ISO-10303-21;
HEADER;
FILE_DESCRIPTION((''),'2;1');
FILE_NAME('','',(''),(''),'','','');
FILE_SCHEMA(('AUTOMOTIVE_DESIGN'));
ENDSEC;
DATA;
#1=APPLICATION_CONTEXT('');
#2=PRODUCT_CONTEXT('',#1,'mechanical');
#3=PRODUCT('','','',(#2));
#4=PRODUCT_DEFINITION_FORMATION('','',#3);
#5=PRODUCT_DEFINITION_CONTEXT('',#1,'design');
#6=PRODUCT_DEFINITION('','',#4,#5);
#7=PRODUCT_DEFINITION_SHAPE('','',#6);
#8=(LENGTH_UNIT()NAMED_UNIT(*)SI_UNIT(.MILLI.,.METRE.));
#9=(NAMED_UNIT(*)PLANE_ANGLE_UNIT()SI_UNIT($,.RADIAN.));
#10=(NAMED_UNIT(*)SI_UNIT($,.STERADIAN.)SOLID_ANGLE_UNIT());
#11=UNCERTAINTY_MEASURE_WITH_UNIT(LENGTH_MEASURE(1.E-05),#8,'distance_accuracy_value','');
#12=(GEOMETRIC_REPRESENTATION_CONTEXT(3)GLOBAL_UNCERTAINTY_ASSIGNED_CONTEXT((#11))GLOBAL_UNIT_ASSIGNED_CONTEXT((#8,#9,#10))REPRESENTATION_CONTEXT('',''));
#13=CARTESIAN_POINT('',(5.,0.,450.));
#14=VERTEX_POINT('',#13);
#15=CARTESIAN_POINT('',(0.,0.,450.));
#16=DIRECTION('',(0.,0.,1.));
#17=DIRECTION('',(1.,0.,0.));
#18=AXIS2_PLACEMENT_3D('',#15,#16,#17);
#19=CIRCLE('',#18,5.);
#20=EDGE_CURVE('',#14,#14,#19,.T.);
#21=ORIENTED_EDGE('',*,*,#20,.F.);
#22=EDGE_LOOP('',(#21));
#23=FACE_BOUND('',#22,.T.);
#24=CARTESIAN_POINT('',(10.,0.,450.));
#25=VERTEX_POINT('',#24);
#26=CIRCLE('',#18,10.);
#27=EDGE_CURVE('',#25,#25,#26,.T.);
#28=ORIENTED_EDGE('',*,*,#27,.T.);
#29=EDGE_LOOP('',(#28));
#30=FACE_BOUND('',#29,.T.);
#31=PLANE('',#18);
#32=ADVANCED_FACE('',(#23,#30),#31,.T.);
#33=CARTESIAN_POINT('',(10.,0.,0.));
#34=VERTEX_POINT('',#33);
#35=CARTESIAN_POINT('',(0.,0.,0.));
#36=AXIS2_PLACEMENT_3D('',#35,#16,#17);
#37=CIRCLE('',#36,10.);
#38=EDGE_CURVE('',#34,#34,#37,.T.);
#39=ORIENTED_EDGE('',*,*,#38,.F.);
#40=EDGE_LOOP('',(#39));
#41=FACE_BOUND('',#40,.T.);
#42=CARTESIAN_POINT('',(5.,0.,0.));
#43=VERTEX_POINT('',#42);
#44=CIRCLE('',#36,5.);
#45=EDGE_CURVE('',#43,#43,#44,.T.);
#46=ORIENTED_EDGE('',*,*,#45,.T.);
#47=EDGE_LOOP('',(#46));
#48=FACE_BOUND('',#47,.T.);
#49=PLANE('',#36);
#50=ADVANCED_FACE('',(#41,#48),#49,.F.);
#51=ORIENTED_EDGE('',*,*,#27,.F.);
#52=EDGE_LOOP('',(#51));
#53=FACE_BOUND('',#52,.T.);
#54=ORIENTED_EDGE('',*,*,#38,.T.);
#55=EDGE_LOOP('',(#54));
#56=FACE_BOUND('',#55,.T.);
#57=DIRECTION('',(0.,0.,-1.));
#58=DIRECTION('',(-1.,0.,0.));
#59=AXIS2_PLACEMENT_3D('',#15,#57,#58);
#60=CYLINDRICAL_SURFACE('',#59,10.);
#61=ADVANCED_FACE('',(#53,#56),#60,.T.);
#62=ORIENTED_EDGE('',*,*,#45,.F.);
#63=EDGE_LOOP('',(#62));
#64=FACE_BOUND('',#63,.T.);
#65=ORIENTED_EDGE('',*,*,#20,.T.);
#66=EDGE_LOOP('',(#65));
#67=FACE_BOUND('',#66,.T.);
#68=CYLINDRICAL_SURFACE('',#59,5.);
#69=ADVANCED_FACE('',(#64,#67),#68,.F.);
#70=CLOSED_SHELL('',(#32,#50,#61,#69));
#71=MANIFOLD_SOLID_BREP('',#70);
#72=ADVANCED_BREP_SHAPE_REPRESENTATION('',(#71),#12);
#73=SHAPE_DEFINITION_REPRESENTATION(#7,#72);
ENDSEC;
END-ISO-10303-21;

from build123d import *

# Parameters (mm, degrees)
SKETCH_2_R      = 10
SKETCH_2_R_2    = 5
EXTRUDE_1_DEPTH = 450


with BuildPart() as part:
    # 스케치2 → 보스-돌출1 (new body)
    with BuildSketch(Plane.XY):
        Circle(SKETCH_2_R)
        Circle(SKETCH_2_R_2, mode=Mode.SUBTRACT)
    extrude(amount=EXTRUDE_1_DEPTH)


solid = part.part
